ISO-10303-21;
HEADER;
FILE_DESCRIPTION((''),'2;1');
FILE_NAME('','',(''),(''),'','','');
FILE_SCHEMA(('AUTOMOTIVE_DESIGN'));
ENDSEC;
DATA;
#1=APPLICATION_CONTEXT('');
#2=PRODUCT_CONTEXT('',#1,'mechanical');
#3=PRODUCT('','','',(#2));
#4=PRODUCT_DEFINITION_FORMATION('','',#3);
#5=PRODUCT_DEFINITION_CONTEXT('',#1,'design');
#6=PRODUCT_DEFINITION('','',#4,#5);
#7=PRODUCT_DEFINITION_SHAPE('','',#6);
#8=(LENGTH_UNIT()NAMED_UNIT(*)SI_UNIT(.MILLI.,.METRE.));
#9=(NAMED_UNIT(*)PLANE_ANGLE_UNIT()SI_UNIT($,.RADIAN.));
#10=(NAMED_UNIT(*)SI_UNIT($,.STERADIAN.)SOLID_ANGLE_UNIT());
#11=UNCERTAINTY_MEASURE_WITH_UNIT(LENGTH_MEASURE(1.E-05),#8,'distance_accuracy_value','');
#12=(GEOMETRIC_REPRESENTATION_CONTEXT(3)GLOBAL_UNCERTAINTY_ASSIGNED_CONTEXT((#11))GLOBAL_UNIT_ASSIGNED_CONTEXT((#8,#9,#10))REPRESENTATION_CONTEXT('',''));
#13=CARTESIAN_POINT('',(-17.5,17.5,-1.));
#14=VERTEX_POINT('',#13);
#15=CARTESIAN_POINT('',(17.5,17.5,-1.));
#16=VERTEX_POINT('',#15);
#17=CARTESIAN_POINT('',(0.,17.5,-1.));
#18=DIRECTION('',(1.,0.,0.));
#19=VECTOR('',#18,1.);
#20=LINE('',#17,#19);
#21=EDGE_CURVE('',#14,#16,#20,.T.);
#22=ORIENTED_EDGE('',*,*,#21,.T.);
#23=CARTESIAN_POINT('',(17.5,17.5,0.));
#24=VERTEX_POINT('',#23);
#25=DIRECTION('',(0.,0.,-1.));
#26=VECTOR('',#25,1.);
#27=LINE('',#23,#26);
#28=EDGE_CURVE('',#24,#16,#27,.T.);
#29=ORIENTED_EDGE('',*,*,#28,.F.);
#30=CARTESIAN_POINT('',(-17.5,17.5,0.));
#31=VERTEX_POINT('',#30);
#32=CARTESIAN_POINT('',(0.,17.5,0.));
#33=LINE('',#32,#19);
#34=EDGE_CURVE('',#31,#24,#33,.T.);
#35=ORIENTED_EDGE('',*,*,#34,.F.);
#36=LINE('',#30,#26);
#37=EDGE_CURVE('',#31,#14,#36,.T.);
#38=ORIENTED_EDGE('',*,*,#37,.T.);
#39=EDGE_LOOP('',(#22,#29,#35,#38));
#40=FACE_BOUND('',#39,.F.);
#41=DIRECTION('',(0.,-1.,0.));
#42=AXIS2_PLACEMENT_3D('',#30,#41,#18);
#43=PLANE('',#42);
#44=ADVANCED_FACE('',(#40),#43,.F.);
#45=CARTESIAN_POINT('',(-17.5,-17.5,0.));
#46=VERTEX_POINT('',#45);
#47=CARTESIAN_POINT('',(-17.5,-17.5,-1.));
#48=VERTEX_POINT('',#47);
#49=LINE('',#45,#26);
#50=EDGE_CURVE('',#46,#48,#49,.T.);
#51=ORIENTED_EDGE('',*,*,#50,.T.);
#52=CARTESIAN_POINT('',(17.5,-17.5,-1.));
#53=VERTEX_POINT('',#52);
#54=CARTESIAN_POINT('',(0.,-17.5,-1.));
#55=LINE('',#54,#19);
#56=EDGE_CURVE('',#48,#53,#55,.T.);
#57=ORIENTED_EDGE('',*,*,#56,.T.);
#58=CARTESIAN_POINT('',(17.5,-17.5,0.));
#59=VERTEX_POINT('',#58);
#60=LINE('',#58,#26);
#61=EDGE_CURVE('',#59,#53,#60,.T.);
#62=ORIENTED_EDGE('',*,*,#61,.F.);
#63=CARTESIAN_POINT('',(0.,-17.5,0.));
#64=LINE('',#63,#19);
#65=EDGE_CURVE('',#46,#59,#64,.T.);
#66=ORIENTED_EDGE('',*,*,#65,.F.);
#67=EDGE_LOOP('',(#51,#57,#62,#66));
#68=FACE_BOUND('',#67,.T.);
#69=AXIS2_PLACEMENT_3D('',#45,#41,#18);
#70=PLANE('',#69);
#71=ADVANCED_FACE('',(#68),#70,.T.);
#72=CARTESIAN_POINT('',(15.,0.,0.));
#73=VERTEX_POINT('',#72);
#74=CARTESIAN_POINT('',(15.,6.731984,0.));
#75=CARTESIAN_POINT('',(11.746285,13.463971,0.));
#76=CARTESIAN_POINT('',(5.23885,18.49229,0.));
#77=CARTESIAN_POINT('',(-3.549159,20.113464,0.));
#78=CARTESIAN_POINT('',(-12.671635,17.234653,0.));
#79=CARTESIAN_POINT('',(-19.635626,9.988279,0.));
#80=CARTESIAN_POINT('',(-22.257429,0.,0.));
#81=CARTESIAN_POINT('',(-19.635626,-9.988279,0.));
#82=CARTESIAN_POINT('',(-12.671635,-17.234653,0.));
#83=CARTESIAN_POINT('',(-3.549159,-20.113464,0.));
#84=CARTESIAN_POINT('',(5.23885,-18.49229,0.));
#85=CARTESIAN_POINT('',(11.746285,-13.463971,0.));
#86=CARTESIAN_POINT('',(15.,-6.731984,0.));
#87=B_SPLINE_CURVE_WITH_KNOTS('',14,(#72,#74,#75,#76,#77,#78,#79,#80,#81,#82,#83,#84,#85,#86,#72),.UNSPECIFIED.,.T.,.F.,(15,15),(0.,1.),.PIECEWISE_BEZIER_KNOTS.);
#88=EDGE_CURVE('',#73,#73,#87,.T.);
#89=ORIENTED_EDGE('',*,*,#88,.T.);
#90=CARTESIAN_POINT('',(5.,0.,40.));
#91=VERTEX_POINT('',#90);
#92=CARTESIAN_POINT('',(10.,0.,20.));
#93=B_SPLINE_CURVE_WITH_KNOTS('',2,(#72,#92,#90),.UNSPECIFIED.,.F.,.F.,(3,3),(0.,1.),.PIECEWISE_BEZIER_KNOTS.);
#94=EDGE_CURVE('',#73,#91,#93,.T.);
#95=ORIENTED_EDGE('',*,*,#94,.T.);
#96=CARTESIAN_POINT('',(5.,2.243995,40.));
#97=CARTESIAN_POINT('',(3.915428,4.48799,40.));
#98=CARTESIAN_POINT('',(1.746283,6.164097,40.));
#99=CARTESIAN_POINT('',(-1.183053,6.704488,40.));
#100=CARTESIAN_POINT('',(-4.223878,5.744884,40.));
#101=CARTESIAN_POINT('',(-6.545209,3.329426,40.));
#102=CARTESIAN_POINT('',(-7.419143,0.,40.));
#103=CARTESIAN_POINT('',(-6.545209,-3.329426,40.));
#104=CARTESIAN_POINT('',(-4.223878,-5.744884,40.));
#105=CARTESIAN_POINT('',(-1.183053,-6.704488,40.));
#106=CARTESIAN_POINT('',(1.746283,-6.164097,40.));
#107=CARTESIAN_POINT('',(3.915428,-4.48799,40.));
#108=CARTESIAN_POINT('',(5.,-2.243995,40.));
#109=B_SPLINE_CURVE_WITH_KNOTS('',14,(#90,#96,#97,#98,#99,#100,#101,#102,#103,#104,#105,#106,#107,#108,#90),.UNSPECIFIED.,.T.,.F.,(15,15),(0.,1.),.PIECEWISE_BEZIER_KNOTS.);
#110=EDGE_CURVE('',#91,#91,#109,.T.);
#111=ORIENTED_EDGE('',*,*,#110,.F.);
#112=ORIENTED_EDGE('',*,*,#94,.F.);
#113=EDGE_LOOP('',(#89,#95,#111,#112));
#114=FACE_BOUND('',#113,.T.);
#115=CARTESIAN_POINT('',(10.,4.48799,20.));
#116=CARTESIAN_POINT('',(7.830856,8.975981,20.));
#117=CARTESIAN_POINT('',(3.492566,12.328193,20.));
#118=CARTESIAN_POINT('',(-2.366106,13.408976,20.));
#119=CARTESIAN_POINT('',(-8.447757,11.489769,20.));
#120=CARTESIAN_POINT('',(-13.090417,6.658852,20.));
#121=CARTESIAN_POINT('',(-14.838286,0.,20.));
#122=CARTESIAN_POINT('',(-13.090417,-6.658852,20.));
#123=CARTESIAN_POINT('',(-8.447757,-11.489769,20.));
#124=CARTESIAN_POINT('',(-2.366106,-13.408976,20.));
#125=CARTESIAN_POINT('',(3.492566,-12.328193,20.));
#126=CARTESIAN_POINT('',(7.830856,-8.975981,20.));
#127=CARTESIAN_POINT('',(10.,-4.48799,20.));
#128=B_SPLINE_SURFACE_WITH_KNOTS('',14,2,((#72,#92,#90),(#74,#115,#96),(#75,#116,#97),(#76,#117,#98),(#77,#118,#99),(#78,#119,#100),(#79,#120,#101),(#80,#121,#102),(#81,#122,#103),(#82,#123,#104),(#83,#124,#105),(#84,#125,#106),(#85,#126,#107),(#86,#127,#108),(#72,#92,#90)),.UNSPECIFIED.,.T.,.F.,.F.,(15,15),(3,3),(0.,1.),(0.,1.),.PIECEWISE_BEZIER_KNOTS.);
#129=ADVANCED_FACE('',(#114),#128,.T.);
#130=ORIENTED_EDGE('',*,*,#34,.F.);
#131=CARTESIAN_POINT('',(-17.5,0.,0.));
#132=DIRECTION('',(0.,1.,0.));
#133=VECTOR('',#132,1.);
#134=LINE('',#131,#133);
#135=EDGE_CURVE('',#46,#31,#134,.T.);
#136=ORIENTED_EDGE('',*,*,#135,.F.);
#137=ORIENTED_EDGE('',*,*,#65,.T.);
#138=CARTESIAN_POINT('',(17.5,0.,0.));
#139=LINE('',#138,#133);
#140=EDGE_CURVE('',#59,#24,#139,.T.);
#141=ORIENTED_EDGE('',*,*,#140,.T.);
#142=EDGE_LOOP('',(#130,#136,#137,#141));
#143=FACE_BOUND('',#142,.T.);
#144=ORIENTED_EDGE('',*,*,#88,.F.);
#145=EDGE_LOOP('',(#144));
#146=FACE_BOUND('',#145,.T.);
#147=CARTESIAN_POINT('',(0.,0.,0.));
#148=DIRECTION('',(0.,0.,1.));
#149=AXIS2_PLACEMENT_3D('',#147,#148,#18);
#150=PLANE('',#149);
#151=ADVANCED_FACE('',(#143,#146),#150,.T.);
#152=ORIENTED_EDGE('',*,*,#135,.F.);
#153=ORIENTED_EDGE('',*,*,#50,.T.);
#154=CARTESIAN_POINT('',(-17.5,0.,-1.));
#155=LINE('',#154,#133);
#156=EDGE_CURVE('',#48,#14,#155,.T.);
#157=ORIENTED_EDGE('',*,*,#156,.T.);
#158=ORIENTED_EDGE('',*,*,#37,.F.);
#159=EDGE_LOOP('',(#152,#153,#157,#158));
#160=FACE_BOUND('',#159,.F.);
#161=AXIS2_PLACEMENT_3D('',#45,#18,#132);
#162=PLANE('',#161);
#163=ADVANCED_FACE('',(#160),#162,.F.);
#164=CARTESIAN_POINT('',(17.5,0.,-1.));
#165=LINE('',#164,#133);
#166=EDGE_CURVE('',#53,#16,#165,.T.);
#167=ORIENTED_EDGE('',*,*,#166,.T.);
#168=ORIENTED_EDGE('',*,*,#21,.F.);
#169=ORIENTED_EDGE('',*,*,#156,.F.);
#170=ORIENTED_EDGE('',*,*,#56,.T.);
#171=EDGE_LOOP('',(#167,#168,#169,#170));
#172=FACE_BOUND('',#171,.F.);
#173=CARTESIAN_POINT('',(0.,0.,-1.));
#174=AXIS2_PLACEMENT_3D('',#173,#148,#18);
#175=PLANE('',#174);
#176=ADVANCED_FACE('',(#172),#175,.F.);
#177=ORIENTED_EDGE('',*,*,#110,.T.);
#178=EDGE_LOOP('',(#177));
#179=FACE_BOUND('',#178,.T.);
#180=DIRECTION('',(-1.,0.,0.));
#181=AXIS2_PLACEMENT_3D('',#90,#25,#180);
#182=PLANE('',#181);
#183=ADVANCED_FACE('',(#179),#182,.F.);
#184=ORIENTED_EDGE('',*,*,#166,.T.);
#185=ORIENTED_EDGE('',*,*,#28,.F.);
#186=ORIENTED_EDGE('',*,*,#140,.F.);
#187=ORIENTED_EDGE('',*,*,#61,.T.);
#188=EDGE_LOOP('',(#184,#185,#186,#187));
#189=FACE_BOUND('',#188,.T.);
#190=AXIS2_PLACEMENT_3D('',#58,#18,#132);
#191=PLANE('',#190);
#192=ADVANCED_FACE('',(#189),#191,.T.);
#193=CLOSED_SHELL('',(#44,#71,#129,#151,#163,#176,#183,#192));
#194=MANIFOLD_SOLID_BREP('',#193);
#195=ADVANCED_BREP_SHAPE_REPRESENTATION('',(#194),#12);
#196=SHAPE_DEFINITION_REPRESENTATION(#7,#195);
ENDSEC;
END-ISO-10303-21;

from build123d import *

# Parameters (mm, degrees)
F0_R      = 15
F2_R      = 12.5
F4_R      = 10
F6_R      = 7.5
F8_R      = 5
F10_W     = 35
F10_H     = 35
F11_DEPTH = 1


with BuildPart() as f9:
    # F0 (on Top) → F9 section 0
    with BuildSketch(Plane.XY):
        Circle(F0_R)
    # F2 (on offset) → F9 section 1
    with BuildSketch(Plane.XY.offset(10)):
        Circle(F2_R)
    # F4 (on offset) → F9 section 2
    with BuildSketch(Plane.XY.offset(20)):
        Circle(F4_R)
    # F6 (on offset) → F9 section 3
    with BuildSketch(Plane.XY.offset(30)):
        Circle(F6_R)
    # F8 (on offset) → F9 section 4
    with BuildSketch(Plane.XY.offset(40)):
        Circle(F8_R)
    loft()

    # F10 (on Top) → F11 (join)
    with BuildSketch(Plane.XY):
        Rectangle(F10_W, F10_H)
    extrude(amount=-F11_DEPTH)


solid = f9.part
